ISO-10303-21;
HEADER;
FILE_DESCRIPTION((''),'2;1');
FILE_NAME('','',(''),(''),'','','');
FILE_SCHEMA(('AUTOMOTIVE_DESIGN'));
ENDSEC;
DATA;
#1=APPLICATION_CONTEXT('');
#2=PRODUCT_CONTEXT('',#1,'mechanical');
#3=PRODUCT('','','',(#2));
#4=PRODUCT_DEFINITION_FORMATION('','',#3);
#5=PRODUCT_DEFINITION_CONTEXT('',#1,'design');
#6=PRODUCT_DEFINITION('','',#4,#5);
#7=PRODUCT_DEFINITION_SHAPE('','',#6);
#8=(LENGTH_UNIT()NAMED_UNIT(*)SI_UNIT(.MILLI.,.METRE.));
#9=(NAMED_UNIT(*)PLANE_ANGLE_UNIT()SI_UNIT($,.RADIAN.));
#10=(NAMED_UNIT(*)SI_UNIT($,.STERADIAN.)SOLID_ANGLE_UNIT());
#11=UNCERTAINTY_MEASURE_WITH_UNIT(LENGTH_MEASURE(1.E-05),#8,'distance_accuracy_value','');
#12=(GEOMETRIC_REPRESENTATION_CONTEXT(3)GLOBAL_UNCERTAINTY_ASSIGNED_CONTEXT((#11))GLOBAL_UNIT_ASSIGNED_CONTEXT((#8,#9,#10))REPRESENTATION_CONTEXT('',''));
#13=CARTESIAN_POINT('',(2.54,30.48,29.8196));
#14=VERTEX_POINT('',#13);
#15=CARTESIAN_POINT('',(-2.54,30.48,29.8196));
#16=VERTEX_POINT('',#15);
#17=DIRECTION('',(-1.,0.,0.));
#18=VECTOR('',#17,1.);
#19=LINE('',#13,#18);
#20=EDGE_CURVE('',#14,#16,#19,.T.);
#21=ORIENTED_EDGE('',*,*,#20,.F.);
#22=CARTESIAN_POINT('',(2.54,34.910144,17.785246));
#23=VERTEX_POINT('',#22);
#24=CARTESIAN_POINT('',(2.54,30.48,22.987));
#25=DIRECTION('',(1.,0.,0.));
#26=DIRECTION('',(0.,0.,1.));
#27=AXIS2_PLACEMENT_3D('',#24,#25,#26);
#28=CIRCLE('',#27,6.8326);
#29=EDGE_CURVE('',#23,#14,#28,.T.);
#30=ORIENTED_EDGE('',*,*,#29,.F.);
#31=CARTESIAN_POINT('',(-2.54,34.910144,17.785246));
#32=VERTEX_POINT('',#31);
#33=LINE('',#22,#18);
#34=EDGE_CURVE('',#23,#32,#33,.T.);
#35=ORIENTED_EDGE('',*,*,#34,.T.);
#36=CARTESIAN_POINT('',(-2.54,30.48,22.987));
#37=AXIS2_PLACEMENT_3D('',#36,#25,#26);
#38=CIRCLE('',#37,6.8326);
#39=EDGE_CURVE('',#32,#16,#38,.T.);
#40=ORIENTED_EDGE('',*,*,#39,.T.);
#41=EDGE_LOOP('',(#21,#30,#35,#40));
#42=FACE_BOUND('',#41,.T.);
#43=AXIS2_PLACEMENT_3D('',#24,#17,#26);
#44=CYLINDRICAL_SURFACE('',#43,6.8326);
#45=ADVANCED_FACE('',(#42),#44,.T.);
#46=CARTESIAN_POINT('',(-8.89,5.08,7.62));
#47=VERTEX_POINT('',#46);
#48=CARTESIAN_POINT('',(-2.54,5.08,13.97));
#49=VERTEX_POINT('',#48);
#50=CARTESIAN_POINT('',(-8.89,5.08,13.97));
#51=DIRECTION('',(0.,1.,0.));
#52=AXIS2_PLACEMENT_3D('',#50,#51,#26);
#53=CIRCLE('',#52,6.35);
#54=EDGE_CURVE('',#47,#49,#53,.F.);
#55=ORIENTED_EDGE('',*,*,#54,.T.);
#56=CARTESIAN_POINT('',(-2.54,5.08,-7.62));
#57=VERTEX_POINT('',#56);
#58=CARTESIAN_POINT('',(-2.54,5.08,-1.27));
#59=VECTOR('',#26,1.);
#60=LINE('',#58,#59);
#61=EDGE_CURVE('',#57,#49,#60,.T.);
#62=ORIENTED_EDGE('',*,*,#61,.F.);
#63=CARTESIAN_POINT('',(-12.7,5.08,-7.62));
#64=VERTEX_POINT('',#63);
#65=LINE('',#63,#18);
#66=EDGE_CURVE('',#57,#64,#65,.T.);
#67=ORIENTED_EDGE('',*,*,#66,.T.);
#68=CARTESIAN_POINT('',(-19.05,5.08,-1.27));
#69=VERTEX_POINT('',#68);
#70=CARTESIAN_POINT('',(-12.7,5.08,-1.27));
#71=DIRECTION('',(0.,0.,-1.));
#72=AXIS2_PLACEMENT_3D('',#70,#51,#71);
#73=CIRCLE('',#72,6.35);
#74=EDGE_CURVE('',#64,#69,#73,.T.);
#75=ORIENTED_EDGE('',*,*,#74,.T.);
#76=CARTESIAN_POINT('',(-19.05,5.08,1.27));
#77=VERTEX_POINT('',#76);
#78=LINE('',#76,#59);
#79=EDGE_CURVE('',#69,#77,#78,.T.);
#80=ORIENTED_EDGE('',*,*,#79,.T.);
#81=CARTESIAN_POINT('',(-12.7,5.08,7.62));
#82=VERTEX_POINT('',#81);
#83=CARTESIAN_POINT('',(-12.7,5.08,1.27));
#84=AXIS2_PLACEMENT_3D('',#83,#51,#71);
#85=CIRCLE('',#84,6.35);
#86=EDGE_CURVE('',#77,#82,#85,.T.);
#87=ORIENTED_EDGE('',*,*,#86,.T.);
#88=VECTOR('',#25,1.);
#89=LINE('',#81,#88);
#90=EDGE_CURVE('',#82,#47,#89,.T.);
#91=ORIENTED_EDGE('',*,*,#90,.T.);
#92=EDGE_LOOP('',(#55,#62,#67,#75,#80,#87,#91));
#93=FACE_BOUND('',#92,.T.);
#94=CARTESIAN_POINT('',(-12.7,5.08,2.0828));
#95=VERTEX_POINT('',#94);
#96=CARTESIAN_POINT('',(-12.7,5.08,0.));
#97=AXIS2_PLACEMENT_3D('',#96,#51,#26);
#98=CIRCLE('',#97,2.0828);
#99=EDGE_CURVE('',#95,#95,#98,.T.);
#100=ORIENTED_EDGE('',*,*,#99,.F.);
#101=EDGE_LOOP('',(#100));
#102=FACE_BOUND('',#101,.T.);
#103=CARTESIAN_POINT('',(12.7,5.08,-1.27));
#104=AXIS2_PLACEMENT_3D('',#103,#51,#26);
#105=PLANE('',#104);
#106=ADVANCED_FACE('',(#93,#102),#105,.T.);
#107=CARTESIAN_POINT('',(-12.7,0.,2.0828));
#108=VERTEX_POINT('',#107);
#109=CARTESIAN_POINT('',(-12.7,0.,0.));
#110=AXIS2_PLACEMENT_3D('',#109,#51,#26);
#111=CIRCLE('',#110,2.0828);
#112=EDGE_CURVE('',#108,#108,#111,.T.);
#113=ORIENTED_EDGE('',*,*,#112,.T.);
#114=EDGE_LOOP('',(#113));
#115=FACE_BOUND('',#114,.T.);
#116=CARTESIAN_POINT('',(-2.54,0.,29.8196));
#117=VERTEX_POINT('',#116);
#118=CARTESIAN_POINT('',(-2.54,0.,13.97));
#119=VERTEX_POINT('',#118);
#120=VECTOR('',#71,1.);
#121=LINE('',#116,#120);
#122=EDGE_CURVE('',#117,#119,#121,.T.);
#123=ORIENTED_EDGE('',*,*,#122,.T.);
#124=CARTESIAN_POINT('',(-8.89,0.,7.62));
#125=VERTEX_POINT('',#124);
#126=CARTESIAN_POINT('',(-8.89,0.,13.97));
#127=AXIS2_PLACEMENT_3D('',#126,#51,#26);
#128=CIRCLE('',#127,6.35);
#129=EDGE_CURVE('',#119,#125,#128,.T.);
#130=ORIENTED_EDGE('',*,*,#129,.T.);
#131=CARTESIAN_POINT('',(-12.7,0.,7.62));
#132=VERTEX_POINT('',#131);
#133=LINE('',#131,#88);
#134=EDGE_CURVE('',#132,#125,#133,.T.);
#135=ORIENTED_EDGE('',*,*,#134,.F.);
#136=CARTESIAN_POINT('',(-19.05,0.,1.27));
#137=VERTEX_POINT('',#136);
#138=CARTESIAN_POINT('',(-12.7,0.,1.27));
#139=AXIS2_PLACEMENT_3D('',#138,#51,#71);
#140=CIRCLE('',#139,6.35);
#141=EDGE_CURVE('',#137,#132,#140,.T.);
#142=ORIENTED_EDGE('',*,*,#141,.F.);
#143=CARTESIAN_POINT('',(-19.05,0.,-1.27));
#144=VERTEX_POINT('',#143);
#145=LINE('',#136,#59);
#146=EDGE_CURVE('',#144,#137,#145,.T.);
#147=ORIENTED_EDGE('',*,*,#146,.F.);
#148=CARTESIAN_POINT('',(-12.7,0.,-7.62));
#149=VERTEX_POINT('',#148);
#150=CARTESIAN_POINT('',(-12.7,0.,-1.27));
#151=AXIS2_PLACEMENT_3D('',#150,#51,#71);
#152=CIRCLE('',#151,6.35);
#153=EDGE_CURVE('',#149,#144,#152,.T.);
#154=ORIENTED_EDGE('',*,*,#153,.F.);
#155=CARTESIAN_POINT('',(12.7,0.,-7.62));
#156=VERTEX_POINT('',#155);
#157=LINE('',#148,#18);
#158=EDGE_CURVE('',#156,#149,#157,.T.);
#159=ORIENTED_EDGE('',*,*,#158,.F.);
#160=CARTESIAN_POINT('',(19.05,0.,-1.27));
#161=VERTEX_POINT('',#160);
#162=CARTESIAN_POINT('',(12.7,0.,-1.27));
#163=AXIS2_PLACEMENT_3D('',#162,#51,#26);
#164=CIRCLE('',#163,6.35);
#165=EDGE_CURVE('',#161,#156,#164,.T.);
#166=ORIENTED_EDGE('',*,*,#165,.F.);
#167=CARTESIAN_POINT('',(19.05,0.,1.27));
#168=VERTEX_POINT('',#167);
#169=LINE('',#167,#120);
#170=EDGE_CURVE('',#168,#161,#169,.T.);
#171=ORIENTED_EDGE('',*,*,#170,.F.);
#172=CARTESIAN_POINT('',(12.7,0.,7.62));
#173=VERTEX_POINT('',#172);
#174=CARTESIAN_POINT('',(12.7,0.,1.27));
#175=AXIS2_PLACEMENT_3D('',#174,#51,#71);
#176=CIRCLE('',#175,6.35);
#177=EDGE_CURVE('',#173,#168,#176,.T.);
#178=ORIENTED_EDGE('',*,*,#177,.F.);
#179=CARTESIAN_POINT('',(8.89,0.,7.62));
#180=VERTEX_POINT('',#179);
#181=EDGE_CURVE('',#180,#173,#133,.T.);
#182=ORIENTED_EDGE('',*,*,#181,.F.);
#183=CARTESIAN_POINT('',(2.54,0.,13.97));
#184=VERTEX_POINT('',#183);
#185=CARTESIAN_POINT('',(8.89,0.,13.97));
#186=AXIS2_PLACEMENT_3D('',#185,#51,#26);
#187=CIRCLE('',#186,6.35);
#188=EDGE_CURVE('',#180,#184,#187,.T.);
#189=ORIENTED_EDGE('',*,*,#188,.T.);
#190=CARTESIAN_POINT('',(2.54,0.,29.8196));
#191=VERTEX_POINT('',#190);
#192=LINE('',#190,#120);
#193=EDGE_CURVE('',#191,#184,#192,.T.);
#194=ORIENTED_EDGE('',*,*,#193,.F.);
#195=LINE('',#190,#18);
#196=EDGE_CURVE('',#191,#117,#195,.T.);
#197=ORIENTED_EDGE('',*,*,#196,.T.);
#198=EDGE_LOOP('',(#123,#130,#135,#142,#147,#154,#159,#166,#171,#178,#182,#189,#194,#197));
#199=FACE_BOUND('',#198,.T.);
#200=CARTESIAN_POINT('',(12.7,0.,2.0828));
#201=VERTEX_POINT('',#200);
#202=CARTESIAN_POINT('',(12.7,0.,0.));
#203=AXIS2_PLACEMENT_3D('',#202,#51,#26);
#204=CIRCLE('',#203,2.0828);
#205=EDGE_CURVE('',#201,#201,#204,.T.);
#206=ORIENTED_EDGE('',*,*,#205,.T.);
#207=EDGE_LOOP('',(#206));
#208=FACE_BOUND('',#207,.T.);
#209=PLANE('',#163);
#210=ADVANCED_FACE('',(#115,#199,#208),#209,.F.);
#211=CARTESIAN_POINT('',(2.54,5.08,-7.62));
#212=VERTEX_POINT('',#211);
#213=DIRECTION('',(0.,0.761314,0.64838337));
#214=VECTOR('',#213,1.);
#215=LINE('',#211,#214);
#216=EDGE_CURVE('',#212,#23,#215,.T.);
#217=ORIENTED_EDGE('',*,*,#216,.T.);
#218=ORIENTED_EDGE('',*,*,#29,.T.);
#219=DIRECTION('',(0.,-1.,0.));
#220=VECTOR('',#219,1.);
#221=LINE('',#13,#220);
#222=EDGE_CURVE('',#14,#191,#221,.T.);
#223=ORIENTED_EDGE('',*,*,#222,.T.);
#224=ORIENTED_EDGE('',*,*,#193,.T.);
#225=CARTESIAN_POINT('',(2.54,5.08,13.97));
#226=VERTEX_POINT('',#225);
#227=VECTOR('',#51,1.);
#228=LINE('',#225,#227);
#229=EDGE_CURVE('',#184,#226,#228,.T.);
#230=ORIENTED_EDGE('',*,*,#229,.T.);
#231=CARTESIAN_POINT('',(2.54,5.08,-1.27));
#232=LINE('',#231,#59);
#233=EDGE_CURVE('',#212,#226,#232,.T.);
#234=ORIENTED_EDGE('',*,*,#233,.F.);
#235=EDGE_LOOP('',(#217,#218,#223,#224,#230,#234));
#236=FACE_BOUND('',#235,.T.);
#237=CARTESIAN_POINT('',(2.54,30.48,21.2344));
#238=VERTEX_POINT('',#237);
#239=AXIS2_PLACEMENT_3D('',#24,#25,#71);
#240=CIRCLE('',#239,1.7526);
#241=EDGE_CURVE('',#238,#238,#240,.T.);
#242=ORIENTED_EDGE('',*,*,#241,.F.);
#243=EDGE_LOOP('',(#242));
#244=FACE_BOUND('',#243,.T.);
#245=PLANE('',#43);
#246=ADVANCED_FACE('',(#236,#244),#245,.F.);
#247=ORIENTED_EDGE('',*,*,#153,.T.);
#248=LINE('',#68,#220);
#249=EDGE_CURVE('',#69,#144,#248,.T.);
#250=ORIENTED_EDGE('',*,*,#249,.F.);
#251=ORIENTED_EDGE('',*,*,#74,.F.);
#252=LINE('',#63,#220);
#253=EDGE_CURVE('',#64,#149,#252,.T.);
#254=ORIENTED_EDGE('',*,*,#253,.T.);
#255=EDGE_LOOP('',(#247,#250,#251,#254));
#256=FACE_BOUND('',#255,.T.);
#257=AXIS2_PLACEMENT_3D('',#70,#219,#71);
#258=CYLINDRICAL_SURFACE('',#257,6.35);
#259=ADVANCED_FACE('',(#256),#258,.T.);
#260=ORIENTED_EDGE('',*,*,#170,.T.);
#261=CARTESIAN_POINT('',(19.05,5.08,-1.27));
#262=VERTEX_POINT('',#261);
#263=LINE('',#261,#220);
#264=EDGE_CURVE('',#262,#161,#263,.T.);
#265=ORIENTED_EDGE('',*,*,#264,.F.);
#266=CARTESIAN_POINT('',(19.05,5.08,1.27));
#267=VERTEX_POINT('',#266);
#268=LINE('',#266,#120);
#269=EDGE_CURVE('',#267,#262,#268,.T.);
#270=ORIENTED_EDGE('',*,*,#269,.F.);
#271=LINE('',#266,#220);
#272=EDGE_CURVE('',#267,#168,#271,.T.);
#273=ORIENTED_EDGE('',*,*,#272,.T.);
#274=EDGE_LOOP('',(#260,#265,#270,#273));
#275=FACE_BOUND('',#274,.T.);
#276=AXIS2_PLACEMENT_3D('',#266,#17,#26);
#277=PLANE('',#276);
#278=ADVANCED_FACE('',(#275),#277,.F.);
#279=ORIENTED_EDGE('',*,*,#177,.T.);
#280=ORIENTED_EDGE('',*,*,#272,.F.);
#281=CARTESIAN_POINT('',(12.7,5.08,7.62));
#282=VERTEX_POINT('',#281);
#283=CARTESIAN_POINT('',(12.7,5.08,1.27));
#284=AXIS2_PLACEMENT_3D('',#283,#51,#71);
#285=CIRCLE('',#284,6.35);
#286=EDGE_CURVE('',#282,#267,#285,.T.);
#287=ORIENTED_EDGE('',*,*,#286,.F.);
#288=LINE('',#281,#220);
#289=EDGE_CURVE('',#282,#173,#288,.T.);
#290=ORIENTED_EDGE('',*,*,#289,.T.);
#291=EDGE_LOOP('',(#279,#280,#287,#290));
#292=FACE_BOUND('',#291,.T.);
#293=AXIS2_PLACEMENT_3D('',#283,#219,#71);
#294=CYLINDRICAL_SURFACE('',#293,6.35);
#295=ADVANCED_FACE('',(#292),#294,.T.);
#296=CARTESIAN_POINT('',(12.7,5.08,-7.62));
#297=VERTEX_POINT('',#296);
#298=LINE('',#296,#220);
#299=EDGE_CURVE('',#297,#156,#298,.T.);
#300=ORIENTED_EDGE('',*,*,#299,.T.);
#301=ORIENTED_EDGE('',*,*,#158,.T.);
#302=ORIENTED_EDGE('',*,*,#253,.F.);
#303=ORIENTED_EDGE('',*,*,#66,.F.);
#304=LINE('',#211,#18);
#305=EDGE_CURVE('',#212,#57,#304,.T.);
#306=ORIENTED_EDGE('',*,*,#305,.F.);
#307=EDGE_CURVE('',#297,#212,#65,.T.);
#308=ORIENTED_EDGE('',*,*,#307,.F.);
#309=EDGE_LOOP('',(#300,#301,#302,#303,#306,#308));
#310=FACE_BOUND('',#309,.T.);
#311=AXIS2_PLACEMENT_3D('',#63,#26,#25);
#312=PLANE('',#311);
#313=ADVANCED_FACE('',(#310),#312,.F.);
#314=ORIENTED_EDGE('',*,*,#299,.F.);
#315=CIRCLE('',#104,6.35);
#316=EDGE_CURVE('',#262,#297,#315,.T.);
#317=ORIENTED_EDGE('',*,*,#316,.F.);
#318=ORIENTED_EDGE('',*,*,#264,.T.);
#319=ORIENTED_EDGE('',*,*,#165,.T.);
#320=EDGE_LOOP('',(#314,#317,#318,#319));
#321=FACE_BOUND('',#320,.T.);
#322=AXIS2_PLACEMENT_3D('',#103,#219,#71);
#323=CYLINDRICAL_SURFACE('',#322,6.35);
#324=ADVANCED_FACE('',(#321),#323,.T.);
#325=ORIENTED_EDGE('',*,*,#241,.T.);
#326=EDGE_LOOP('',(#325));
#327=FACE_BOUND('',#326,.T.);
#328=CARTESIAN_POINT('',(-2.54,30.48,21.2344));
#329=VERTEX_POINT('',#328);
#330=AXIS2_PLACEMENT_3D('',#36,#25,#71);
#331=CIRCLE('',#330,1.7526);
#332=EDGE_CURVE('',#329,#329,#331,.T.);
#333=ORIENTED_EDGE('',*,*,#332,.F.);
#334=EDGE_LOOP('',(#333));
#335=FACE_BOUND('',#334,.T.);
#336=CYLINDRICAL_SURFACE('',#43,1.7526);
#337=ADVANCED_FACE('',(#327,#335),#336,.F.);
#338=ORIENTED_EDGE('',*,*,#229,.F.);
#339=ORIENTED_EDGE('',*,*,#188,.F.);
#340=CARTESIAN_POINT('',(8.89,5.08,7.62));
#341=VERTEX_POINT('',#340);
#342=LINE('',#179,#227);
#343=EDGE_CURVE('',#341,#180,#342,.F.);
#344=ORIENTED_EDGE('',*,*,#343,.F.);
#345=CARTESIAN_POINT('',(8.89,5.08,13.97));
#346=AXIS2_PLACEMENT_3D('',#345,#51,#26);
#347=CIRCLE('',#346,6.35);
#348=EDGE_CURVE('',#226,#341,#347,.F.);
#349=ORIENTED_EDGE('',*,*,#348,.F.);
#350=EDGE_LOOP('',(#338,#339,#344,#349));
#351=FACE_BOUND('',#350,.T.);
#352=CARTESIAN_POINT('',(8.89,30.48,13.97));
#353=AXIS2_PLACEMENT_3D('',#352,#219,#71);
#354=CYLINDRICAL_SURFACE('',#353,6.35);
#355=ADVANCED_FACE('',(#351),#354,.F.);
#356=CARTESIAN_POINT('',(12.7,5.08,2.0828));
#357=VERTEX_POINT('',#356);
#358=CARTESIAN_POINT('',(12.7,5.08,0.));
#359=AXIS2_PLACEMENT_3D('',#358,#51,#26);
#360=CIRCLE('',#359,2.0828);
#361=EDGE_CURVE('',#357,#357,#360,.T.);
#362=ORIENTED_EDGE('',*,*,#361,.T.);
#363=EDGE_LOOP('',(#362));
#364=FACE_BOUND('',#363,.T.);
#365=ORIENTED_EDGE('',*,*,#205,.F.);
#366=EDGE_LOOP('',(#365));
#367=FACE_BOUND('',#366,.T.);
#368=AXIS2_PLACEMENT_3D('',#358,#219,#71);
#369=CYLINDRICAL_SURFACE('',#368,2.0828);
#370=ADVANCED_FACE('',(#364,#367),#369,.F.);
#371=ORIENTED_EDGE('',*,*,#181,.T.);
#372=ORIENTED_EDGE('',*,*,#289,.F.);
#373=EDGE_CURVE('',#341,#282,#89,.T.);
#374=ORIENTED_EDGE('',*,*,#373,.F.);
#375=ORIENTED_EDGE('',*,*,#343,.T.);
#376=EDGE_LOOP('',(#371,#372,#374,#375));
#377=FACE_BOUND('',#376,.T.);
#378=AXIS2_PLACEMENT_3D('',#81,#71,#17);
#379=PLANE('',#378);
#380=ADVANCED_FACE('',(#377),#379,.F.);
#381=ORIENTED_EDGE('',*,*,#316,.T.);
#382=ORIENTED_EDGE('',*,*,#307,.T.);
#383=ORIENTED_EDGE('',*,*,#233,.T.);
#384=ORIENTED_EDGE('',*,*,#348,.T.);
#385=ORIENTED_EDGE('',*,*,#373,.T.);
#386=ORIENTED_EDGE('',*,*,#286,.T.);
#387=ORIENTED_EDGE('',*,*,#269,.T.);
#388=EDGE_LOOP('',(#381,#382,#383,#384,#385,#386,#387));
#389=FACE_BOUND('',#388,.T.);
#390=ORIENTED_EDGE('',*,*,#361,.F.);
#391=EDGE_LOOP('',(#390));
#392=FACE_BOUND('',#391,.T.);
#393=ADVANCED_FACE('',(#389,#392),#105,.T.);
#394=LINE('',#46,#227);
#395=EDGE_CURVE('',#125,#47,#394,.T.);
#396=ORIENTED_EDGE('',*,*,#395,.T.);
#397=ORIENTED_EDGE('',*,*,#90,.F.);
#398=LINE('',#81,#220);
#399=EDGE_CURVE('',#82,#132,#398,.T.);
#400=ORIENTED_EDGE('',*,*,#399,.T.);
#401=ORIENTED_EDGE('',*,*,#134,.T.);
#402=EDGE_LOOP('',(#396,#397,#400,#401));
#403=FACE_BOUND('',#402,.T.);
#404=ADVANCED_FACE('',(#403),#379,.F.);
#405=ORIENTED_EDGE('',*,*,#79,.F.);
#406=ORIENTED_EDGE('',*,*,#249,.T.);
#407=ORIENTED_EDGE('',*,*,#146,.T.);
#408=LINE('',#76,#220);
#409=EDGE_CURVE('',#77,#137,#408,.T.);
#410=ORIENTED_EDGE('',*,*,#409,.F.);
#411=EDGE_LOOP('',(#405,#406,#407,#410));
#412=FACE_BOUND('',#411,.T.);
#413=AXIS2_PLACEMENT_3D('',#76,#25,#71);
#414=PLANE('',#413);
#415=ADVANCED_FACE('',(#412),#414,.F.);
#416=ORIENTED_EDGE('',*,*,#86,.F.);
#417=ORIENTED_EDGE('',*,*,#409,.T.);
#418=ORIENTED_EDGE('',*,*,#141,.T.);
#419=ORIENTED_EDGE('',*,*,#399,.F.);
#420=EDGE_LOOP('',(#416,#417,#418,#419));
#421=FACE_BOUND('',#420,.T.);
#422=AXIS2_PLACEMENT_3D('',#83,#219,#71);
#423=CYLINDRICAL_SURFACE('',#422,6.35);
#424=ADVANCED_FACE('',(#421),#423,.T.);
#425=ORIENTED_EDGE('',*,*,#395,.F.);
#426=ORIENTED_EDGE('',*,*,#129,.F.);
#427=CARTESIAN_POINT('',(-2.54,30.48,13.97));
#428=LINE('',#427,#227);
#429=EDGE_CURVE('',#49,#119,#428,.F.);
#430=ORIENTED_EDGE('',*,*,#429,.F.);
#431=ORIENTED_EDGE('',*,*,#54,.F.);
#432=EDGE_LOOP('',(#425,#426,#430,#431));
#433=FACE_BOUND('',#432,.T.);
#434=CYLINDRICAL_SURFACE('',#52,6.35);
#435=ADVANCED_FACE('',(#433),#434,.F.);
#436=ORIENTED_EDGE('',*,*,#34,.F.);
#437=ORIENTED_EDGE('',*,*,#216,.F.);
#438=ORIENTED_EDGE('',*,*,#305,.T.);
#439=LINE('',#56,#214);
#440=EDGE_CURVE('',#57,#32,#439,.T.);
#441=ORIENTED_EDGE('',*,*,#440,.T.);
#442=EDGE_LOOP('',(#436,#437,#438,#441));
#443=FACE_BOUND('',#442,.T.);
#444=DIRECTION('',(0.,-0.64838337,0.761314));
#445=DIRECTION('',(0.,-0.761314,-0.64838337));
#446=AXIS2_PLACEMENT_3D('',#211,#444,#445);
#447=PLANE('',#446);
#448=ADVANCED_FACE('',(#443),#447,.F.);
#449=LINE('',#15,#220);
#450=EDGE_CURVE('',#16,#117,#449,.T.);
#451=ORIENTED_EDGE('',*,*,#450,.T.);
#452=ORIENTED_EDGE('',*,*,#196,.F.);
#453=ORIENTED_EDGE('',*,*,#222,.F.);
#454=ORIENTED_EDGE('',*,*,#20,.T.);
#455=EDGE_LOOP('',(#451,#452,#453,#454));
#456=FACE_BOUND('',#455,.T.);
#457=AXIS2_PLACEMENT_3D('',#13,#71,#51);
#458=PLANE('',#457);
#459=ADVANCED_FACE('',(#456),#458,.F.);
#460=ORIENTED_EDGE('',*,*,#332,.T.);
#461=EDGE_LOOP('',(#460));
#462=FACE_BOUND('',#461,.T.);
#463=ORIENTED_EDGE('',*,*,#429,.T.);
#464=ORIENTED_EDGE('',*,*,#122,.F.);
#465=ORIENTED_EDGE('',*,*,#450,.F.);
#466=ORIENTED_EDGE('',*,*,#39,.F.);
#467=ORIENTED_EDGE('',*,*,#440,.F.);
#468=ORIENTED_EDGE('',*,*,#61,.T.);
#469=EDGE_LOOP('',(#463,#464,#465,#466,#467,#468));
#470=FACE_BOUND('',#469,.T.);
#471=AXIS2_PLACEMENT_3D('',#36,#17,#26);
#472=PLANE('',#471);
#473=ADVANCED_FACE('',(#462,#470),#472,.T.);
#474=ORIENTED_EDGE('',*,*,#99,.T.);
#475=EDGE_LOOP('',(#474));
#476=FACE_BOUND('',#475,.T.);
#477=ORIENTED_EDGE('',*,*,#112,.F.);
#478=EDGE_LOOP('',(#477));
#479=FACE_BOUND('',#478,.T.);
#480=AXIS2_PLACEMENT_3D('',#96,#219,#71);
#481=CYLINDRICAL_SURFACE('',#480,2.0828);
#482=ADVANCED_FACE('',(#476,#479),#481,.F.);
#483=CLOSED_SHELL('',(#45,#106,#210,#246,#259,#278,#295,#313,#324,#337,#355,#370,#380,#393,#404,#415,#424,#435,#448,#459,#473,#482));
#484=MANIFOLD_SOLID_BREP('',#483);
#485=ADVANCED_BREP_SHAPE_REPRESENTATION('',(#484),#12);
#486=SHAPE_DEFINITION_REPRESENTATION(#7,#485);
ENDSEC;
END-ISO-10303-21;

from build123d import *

# Parameters (mm, degrees)
SKETCH1_R           = 2.0828
BOSS_EXTRUDE1_DEPTH = 5.08
SKETCH2_R           = 1.7526
BOSS_EXTRUDE2_DEPTH = 2.54
FILLET1_R           = 6.35


with BuildPart() as part:
    # Sketch1 → Boss-Extrude1 (new body)
    with BuildSketch(Plane(origin=(0, 0, 0), x_dir=(1, 0, 0), z_dir=(0, 1, 0))):
        with BuildLine():
            Line((-12.7, -7.62), (12.7, -7.62))
            ThreePointArc((12.7, -7.62), (17.190128061, -5.760128061), (19.05, -1.27))
            Line((19.05, -1.27), (19.05, 1.27))
            ThreePointArc((19.05, 1.27), (17.190128061, 5.760128061), (12.7, 7.62))
            Line((12.7, 7.62), (-12.7, 7.62))
            ThreePointArc((-12.7, 7.62), (-17.190128061, 5.760128061), (-19.05, 1.27))
            Line((-19.05, 1.27), (-19.05, -1.27))
            ThreePointArc((-19.05, -1.27), (-17.190128061, -5.760128061), (-12.7, -7.62))
        make_face()
        with Locations(Location((-12.7, 0, 0), (0, 0, 270))):
            Circle(SKETCH1_R, mode=Mode.SUBTRACT)
        with Locations(Location((12.7, 0, 0), (0, 0, 270))):
            Circle(SKETCH1_R, mode=Mode.SUBTRACT)
    extrude(amount=BOSS_EXTRUDE1_DEPTH)

    # Sketch2 → Boss-Extrude2 (add, symmetric)
    with BuildSketch(Plane(origin=(0, 0, 0), x_dir=(0, 0, -1), z_dir=(1, 0, 0))):
        with BuildLine():
            Line((7.62, 5.08), (-17.785245966, 34.910144211))
            ThreePointArc((-17.785245966, 34.910144211), (-25.347393839, 36.891939152), (-29.8196, 30.48))
            Line((-29.8196, 30.48), (-29.8196, 0))
            Line((-29.8196, 0), (7.62, 0))
            Line((7.62, 0), (7.62, 5.08))
        make_face()
        with Locations((-22.987, 30.48)):
            Circle(SKETCH2_R, mode=Mode.SUBTRACT)
    extrude(amount=BOSS_EXTRUDE2_DEPTH, both=True)

    # Fillet1
    fillet1_edges = [part.edges().sort_by_distance(p)[0] for p in [
        (-2.54, 2.54, 7.62),
        (2.54, 2.54, 7.62),
    ]]
    fillet(fillet1_edges, radius=FILLET1_R)


solid = part.part
